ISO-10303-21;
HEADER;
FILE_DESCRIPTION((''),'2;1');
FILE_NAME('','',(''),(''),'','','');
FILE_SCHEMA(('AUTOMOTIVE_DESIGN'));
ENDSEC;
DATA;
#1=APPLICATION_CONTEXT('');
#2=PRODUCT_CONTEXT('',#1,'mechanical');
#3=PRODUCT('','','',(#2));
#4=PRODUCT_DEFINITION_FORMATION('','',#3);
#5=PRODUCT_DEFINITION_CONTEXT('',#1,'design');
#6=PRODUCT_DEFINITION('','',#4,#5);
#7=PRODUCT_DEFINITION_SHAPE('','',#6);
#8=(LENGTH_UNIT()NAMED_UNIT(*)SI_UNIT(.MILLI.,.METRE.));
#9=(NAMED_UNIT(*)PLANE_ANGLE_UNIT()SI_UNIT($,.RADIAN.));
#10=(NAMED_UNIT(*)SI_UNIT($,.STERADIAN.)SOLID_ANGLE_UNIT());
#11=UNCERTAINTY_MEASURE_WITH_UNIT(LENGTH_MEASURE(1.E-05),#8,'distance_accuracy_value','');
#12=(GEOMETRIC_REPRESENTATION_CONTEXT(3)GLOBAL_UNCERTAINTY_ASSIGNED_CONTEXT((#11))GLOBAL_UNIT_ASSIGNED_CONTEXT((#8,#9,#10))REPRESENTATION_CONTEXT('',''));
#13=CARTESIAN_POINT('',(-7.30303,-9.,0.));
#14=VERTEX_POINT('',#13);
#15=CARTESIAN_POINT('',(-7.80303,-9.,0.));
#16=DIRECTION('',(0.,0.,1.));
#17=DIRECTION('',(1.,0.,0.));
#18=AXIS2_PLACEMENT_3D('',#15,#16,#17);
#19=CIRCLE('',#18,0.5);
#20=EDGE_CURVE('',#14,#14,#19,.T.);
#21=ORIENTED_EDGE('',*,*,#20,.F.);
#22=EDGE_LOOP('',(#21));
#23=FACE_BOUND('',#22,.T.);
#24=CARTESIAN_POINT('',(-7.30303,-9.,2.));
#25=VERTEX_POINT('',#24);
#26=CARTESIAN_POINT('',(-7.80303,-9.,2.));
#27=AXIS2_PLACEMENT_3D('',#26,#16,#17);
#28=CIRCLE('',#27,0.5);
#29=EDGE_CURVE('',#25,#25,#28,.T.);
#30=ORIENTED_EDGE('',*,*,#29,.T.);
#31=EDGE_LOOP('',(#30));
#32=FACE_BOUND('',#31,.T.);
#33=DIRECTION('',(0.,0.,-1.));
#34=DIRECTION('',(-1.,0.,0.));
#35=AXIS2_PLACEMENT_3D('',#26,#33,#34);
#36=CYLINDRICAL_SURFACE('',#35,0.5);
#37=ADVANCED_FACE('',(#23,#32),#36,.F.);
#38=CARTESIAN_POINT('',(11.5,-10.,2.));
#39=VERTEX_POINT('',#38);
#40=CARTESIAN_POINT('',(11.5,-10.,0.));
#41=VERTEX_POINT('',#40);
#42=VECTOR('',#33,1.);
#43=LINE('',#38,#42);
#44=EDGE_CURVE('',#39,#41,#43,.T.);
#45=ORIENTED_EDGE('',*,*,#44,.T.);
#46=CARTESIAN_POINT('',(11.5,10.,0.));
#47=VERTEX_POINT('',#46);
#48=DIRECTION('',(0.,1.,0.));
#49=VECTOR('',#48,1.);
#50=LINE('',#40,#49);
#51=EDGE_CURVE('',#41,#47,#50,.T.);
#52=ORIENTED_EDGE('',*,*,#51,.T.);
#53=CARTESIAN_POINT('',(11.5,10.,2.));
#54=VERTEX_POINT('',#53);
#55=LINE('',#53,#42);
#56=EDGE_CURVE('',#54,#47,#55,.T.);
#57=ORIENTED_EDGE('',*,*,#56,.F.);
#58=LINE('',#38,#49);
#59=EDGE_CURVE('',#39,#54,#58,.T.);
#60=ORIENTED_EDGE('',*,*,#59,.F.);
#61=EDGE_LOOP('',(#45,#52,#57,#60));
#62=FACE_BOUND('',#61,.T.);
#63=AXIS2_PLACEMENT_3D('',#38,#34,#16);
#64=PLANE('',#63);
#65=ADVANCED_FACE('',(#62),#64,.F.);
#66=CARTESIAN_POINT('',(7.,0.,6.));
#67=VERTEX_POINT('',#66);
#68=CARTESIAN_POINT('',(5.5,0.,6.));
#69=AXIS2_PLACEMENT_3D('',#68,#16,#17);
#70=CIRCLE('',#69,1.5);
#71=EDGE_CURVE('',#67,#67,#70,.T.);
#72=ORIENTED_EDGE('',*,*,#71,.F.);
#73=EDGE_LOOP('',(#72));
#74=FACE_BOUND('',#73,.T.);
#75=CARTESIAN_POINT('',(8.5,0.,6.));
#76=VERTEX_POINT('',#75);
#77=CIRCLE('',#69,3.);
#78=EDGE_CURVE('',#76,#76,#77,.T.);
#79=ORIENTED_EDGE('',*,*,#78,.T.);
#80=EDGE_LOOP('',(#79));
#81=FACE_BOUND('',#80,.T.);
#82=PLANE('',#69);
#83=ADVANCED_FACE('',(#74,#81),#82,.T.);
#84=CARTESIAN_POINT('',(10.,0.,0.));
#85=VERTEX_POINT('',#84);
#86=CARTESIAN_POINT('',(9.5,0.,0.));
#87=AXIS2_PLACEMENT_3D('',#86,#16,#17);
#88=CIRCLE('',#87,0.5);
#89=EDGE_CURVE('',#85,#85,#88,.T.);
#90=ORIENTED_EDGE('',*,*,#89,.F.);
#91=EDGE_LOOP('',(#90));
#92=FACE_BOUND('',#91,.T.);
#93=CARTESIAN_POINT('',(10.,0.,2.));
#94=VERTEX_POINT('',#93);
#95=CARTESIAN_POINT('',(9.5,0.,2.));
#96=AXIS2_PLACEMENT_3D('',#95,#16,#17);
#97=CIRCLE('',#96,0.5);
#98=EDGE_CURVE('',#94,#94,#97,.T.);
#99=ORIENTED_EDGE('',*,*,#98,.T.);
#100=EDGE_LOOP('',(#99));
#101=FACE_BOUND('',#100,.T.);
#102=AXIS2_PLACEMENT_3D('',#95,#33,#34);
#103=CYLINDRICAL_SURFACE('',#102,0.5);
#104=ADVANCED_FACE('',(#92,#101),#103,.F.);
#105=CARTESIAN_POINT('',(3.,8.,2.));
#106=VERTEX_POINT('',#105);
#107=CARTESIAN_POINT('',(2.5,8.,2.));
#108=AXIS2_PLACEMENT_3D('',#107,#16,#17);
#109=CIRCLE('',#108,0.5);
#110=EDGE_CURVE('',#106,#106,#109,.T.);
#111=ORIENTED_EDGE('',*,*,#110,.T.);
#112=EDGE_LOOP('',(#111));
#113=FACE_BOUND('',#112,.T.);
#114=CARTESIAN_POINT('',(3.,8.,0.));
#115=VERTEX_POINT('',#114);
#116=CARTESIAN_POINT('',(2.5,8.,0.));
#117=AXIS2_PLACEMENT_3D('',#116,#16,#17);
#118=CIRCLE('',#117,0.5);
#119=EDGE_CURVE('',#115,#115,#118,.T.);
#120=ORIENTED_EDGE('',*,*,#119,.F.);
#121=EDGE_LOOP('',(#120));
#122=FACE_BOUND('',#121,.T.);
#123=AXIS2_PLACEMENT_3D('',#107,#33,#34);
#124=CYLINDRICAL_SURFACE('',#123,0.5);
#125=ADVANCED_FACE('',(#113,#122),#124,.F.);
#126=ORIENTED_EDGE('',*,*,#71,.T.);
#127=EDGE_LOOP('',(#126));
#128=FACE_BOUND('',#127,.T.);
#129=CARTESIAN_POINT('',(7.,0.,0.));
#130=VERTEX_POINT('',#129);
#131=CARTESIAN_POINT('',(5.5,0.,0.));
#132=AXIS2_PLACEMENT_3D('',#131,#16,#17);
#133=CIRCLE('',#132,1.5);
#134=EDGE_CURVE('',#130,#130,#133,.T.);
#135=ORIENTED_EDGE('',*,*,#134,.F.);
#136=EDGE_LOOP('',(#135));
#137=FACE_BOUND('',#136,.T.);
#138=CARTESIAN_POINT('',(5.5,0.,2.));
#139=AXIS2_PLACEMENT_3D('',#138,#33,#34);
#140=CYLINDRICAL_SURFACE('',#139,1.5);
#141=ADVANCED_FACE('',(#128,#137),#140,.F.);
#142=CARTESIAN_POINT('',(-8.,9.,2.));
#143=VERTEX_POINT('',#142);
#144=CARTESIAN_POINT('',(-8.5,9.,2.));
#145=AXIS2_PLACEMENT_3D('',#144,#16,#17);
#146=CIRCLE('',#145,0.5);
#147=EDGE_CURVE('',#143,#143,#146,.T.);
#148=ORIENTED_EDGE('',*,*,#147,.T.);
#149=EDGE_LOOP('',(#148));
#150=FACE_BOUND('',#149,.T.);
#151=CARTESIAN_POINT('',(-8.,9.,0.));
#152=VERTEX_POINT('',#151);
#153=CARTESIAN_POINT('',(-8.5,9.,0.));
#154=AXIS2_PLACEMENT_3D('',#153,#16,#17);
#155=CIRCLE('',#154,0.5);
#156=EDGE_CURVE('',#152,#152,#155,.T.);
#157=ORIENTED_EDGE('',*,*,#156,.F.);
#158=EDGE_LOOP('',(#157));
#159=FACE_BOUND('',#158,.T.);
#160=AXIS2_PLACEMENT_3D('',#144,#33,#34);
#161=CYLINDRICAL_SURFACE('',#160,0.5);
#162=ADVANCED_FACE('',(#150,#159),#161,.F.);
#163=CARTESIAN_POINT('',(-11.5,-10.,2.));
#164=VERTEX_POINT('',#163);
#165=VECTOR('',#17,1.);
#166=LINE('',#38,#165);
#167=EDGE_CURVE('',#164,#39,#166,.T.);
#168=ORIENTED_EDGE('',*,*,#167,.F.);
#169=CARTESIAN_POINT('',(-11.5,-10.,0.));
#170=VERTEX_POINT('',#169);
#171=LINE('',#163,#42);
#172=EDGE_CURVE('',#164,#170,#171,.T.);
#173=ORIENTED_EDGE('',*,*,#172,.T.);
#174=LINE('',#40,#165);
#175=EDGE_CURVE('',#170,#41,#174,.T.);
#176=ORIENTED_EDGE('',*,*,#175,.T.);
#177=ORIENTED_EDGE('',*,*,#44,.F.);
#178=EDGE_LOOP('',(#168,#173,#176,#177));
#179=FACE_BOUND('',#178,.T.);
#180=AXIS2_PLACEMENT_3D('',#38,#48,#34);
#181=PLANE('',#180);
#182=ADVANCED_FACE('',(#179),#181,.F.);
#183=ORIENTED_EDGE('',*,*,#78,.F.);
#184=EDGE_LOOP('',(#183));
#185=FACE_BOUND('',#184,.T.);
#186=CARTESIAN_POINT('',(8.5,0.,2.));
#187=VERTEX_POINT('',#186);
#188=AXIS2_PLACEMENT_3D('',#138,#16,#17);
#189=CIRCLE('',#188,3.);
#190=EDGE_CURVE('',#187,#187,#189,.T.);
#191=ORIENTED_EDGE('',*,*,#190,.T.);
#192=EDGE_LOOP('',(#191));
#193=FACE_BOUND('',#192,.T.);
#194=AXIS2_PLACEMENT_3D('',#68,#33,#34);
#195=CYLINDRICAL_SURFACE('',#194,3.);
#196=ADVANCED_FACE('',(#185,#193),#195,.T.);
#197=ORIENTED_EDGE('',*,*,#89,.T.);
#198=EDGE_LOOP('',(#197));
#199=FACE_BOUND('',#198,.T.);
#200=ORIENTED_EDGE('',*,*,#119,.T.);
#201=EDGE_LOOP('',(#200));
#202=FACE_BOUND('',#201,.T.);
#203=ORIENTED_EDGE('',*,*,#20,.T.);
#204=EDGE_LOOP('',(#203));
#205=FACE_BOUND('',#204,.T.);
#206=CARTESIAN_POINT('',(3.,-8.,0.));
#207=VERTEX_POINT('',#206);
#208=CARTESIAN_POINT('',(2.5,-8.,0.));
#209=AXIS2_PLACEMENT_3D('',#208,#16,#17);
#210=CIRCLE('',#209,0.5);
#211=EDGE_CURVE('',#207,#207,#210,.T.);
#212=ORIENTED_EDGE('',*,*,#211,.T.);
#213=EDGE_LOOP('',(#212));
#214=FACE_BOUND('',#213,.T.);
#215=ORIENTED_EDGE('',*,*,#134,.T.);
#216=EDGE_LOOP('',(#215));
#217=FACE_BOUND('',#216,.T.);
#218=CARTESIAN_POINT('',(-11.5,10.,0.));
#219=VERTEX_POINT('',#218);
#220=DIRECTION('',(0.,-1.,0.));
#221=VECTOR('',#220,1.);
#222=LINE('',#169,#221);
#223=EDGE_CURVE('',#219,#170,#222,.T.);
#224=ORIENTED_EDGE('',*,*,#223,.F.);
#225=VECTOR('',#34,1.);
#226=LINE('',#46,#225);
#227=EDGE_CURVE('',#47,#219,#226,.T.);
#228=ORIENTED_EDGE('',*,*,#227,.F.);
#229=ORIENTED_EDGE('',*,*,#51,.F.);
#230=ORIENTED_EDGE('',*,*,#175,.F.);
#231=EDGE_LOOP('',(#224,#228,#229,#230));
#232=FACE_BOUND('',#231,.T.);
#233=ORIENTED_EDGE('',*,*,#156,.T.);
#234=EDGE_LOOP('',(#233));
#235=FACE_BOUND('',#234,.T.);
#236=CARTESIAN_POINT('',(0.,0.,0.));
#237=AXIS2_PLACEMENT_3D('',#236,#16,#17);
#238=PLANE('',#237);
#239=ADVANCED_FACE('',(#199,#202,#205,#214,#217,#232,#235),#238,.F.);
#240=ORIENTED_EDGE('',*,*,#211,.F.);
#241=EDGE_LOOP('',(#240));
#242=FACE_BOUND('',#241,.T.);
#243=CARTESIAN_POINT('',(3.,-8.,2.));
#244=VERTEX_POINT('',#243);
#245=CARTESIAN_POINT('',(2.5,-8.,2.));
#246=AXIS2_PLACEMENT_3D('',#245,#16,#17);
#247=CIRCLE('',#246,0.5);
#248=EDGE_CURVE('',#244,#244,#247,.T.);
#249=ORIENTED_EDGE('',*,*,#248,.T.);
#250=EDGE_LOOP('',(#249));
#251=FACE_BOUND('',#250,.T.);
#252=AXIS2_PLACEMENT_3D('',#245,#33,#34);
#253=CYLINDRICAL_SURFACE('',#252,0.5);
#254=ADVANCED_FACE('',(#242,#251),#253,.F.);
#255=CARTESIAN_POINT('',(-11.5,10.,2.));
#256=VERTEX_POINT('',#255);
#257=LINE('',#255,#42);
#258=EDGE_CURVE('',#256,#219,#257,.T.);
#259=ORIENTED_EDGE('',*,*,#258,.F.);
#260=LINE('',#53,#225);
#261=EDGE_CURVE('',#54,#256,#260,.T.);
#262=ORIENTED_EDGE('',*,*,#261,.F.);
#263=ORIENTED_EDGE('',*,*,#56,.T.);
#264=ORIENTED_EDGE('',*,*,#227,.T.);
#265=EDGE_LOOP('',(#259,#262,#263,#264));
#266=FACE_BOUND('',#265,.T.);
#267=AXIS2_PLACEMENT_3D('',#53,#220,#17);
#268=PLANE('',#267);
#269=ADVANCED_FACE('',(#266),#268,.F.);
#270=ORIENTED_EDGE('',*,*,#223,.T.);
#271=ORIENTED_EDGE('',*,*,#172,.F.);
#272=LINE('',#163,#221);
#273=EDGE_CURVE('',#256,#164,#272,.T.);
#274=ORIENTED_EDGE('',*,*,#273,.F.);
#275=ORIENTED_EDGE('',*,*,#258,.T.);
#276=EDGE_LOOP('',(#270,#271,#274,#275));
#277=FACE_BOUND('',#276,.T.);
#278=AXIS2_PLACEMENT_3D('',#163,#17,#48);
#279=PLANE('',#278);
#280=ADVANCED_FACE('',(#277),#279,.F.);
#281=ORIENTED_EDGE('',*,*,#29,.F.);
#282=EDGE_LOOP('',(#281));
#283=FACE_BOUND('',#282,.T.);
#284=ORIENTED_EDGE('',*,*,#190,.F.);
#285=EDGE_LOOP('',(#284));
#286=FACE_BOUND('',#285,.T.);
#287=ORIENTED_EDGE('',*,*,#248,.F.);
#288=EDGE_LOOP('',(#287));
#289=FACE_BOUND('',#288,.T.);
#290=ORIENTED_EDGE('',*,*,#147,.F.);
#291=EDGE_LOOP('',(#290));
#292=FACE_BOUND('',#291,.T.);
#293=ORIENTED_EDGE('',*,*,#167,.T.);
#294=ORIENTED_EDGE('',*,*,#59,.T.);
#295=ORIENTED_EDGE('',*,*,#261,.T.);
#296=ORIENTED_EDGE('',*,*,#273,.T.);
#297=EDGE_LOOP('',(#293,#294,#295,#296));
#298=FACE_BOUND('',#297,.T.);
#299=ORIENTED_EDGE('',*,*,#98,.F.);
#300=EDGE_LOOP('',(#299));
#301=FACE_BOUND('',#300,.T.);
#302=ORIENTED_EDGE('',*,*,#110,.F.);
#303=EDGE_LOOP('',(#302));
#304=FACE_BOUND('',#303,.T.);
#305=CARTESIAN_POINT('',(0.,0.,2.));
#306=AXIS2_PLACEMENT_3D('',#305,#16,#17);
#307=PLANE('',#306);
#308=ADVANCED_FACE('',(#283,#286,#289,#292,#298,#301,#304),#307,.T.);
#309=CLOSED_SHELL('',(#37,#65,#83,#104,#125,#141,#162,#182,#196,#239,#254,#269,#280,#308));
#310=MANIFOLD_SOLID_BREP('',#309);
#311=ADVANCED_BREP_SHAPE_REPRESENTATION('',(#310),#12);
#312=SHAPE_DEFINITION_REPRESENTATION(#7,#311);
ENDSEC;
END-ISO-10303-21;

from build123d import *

# Parameters (mm, degrees)
SKETCH_1_W      = 23
SKETCH_1_H      = 20
SKETCH_1_R      = 0.5
SKETCH_1_R_2    = 1.5
EXTRUDE_1_DEPTH = 2
SKETCH_2_R      = 3
SKETCH_2_R_2    = 1.5
EXTRUDE_2_DEPTH = 4


with BuildPart() as part:
    # 草图1 → 凸台-拉伸1 (new body)
    with BuildSketch(Plane.XY):
        Rectangle(SKETCH_1_W, SKETCH_1_H)
        with Locations((-8.5, 9)):
            Circle(SKETCH_1_R, mode=Mode.SUBTRACT)
        with Locations((-7.803030303, -9)):
            Circle(SKETCH_1_R, mode=Mode.SUBTRACT)
        with Locations((9.5, 0)):
            Circle(SKETCH_1_R, mode=Mode.SUBTRACT)
        with Locations((2.5, 8)):
            Circle(SKETCH_1_R, mode=Mode.SUBTRACT)
        with Locations((2.5, -8)):
            Circle(SKETCH_1_R, mode=Mode.SUBTRACT)
        with Locations((5.5, 0)):
            Circle(SKETCH_1_R_2, mode=Mode.SUBTRACT)
    extrude(amount=EXTRUDE_1_DEPTH)

    # 草图2 → 凸台-拉伸2 (add)
    with BuildSketch(Plane.XY.offset(2)):
        with Locations((5.5, 0)):
            Circle(SKETCH_2_R)
        with Locations((5.5, 0)):
            Circle(SKETCH_2_R_2, mode=Mode.SUBTRACT)
    extrude(amount=EXTRUDE_2_DEPTH)


solid = part.part
